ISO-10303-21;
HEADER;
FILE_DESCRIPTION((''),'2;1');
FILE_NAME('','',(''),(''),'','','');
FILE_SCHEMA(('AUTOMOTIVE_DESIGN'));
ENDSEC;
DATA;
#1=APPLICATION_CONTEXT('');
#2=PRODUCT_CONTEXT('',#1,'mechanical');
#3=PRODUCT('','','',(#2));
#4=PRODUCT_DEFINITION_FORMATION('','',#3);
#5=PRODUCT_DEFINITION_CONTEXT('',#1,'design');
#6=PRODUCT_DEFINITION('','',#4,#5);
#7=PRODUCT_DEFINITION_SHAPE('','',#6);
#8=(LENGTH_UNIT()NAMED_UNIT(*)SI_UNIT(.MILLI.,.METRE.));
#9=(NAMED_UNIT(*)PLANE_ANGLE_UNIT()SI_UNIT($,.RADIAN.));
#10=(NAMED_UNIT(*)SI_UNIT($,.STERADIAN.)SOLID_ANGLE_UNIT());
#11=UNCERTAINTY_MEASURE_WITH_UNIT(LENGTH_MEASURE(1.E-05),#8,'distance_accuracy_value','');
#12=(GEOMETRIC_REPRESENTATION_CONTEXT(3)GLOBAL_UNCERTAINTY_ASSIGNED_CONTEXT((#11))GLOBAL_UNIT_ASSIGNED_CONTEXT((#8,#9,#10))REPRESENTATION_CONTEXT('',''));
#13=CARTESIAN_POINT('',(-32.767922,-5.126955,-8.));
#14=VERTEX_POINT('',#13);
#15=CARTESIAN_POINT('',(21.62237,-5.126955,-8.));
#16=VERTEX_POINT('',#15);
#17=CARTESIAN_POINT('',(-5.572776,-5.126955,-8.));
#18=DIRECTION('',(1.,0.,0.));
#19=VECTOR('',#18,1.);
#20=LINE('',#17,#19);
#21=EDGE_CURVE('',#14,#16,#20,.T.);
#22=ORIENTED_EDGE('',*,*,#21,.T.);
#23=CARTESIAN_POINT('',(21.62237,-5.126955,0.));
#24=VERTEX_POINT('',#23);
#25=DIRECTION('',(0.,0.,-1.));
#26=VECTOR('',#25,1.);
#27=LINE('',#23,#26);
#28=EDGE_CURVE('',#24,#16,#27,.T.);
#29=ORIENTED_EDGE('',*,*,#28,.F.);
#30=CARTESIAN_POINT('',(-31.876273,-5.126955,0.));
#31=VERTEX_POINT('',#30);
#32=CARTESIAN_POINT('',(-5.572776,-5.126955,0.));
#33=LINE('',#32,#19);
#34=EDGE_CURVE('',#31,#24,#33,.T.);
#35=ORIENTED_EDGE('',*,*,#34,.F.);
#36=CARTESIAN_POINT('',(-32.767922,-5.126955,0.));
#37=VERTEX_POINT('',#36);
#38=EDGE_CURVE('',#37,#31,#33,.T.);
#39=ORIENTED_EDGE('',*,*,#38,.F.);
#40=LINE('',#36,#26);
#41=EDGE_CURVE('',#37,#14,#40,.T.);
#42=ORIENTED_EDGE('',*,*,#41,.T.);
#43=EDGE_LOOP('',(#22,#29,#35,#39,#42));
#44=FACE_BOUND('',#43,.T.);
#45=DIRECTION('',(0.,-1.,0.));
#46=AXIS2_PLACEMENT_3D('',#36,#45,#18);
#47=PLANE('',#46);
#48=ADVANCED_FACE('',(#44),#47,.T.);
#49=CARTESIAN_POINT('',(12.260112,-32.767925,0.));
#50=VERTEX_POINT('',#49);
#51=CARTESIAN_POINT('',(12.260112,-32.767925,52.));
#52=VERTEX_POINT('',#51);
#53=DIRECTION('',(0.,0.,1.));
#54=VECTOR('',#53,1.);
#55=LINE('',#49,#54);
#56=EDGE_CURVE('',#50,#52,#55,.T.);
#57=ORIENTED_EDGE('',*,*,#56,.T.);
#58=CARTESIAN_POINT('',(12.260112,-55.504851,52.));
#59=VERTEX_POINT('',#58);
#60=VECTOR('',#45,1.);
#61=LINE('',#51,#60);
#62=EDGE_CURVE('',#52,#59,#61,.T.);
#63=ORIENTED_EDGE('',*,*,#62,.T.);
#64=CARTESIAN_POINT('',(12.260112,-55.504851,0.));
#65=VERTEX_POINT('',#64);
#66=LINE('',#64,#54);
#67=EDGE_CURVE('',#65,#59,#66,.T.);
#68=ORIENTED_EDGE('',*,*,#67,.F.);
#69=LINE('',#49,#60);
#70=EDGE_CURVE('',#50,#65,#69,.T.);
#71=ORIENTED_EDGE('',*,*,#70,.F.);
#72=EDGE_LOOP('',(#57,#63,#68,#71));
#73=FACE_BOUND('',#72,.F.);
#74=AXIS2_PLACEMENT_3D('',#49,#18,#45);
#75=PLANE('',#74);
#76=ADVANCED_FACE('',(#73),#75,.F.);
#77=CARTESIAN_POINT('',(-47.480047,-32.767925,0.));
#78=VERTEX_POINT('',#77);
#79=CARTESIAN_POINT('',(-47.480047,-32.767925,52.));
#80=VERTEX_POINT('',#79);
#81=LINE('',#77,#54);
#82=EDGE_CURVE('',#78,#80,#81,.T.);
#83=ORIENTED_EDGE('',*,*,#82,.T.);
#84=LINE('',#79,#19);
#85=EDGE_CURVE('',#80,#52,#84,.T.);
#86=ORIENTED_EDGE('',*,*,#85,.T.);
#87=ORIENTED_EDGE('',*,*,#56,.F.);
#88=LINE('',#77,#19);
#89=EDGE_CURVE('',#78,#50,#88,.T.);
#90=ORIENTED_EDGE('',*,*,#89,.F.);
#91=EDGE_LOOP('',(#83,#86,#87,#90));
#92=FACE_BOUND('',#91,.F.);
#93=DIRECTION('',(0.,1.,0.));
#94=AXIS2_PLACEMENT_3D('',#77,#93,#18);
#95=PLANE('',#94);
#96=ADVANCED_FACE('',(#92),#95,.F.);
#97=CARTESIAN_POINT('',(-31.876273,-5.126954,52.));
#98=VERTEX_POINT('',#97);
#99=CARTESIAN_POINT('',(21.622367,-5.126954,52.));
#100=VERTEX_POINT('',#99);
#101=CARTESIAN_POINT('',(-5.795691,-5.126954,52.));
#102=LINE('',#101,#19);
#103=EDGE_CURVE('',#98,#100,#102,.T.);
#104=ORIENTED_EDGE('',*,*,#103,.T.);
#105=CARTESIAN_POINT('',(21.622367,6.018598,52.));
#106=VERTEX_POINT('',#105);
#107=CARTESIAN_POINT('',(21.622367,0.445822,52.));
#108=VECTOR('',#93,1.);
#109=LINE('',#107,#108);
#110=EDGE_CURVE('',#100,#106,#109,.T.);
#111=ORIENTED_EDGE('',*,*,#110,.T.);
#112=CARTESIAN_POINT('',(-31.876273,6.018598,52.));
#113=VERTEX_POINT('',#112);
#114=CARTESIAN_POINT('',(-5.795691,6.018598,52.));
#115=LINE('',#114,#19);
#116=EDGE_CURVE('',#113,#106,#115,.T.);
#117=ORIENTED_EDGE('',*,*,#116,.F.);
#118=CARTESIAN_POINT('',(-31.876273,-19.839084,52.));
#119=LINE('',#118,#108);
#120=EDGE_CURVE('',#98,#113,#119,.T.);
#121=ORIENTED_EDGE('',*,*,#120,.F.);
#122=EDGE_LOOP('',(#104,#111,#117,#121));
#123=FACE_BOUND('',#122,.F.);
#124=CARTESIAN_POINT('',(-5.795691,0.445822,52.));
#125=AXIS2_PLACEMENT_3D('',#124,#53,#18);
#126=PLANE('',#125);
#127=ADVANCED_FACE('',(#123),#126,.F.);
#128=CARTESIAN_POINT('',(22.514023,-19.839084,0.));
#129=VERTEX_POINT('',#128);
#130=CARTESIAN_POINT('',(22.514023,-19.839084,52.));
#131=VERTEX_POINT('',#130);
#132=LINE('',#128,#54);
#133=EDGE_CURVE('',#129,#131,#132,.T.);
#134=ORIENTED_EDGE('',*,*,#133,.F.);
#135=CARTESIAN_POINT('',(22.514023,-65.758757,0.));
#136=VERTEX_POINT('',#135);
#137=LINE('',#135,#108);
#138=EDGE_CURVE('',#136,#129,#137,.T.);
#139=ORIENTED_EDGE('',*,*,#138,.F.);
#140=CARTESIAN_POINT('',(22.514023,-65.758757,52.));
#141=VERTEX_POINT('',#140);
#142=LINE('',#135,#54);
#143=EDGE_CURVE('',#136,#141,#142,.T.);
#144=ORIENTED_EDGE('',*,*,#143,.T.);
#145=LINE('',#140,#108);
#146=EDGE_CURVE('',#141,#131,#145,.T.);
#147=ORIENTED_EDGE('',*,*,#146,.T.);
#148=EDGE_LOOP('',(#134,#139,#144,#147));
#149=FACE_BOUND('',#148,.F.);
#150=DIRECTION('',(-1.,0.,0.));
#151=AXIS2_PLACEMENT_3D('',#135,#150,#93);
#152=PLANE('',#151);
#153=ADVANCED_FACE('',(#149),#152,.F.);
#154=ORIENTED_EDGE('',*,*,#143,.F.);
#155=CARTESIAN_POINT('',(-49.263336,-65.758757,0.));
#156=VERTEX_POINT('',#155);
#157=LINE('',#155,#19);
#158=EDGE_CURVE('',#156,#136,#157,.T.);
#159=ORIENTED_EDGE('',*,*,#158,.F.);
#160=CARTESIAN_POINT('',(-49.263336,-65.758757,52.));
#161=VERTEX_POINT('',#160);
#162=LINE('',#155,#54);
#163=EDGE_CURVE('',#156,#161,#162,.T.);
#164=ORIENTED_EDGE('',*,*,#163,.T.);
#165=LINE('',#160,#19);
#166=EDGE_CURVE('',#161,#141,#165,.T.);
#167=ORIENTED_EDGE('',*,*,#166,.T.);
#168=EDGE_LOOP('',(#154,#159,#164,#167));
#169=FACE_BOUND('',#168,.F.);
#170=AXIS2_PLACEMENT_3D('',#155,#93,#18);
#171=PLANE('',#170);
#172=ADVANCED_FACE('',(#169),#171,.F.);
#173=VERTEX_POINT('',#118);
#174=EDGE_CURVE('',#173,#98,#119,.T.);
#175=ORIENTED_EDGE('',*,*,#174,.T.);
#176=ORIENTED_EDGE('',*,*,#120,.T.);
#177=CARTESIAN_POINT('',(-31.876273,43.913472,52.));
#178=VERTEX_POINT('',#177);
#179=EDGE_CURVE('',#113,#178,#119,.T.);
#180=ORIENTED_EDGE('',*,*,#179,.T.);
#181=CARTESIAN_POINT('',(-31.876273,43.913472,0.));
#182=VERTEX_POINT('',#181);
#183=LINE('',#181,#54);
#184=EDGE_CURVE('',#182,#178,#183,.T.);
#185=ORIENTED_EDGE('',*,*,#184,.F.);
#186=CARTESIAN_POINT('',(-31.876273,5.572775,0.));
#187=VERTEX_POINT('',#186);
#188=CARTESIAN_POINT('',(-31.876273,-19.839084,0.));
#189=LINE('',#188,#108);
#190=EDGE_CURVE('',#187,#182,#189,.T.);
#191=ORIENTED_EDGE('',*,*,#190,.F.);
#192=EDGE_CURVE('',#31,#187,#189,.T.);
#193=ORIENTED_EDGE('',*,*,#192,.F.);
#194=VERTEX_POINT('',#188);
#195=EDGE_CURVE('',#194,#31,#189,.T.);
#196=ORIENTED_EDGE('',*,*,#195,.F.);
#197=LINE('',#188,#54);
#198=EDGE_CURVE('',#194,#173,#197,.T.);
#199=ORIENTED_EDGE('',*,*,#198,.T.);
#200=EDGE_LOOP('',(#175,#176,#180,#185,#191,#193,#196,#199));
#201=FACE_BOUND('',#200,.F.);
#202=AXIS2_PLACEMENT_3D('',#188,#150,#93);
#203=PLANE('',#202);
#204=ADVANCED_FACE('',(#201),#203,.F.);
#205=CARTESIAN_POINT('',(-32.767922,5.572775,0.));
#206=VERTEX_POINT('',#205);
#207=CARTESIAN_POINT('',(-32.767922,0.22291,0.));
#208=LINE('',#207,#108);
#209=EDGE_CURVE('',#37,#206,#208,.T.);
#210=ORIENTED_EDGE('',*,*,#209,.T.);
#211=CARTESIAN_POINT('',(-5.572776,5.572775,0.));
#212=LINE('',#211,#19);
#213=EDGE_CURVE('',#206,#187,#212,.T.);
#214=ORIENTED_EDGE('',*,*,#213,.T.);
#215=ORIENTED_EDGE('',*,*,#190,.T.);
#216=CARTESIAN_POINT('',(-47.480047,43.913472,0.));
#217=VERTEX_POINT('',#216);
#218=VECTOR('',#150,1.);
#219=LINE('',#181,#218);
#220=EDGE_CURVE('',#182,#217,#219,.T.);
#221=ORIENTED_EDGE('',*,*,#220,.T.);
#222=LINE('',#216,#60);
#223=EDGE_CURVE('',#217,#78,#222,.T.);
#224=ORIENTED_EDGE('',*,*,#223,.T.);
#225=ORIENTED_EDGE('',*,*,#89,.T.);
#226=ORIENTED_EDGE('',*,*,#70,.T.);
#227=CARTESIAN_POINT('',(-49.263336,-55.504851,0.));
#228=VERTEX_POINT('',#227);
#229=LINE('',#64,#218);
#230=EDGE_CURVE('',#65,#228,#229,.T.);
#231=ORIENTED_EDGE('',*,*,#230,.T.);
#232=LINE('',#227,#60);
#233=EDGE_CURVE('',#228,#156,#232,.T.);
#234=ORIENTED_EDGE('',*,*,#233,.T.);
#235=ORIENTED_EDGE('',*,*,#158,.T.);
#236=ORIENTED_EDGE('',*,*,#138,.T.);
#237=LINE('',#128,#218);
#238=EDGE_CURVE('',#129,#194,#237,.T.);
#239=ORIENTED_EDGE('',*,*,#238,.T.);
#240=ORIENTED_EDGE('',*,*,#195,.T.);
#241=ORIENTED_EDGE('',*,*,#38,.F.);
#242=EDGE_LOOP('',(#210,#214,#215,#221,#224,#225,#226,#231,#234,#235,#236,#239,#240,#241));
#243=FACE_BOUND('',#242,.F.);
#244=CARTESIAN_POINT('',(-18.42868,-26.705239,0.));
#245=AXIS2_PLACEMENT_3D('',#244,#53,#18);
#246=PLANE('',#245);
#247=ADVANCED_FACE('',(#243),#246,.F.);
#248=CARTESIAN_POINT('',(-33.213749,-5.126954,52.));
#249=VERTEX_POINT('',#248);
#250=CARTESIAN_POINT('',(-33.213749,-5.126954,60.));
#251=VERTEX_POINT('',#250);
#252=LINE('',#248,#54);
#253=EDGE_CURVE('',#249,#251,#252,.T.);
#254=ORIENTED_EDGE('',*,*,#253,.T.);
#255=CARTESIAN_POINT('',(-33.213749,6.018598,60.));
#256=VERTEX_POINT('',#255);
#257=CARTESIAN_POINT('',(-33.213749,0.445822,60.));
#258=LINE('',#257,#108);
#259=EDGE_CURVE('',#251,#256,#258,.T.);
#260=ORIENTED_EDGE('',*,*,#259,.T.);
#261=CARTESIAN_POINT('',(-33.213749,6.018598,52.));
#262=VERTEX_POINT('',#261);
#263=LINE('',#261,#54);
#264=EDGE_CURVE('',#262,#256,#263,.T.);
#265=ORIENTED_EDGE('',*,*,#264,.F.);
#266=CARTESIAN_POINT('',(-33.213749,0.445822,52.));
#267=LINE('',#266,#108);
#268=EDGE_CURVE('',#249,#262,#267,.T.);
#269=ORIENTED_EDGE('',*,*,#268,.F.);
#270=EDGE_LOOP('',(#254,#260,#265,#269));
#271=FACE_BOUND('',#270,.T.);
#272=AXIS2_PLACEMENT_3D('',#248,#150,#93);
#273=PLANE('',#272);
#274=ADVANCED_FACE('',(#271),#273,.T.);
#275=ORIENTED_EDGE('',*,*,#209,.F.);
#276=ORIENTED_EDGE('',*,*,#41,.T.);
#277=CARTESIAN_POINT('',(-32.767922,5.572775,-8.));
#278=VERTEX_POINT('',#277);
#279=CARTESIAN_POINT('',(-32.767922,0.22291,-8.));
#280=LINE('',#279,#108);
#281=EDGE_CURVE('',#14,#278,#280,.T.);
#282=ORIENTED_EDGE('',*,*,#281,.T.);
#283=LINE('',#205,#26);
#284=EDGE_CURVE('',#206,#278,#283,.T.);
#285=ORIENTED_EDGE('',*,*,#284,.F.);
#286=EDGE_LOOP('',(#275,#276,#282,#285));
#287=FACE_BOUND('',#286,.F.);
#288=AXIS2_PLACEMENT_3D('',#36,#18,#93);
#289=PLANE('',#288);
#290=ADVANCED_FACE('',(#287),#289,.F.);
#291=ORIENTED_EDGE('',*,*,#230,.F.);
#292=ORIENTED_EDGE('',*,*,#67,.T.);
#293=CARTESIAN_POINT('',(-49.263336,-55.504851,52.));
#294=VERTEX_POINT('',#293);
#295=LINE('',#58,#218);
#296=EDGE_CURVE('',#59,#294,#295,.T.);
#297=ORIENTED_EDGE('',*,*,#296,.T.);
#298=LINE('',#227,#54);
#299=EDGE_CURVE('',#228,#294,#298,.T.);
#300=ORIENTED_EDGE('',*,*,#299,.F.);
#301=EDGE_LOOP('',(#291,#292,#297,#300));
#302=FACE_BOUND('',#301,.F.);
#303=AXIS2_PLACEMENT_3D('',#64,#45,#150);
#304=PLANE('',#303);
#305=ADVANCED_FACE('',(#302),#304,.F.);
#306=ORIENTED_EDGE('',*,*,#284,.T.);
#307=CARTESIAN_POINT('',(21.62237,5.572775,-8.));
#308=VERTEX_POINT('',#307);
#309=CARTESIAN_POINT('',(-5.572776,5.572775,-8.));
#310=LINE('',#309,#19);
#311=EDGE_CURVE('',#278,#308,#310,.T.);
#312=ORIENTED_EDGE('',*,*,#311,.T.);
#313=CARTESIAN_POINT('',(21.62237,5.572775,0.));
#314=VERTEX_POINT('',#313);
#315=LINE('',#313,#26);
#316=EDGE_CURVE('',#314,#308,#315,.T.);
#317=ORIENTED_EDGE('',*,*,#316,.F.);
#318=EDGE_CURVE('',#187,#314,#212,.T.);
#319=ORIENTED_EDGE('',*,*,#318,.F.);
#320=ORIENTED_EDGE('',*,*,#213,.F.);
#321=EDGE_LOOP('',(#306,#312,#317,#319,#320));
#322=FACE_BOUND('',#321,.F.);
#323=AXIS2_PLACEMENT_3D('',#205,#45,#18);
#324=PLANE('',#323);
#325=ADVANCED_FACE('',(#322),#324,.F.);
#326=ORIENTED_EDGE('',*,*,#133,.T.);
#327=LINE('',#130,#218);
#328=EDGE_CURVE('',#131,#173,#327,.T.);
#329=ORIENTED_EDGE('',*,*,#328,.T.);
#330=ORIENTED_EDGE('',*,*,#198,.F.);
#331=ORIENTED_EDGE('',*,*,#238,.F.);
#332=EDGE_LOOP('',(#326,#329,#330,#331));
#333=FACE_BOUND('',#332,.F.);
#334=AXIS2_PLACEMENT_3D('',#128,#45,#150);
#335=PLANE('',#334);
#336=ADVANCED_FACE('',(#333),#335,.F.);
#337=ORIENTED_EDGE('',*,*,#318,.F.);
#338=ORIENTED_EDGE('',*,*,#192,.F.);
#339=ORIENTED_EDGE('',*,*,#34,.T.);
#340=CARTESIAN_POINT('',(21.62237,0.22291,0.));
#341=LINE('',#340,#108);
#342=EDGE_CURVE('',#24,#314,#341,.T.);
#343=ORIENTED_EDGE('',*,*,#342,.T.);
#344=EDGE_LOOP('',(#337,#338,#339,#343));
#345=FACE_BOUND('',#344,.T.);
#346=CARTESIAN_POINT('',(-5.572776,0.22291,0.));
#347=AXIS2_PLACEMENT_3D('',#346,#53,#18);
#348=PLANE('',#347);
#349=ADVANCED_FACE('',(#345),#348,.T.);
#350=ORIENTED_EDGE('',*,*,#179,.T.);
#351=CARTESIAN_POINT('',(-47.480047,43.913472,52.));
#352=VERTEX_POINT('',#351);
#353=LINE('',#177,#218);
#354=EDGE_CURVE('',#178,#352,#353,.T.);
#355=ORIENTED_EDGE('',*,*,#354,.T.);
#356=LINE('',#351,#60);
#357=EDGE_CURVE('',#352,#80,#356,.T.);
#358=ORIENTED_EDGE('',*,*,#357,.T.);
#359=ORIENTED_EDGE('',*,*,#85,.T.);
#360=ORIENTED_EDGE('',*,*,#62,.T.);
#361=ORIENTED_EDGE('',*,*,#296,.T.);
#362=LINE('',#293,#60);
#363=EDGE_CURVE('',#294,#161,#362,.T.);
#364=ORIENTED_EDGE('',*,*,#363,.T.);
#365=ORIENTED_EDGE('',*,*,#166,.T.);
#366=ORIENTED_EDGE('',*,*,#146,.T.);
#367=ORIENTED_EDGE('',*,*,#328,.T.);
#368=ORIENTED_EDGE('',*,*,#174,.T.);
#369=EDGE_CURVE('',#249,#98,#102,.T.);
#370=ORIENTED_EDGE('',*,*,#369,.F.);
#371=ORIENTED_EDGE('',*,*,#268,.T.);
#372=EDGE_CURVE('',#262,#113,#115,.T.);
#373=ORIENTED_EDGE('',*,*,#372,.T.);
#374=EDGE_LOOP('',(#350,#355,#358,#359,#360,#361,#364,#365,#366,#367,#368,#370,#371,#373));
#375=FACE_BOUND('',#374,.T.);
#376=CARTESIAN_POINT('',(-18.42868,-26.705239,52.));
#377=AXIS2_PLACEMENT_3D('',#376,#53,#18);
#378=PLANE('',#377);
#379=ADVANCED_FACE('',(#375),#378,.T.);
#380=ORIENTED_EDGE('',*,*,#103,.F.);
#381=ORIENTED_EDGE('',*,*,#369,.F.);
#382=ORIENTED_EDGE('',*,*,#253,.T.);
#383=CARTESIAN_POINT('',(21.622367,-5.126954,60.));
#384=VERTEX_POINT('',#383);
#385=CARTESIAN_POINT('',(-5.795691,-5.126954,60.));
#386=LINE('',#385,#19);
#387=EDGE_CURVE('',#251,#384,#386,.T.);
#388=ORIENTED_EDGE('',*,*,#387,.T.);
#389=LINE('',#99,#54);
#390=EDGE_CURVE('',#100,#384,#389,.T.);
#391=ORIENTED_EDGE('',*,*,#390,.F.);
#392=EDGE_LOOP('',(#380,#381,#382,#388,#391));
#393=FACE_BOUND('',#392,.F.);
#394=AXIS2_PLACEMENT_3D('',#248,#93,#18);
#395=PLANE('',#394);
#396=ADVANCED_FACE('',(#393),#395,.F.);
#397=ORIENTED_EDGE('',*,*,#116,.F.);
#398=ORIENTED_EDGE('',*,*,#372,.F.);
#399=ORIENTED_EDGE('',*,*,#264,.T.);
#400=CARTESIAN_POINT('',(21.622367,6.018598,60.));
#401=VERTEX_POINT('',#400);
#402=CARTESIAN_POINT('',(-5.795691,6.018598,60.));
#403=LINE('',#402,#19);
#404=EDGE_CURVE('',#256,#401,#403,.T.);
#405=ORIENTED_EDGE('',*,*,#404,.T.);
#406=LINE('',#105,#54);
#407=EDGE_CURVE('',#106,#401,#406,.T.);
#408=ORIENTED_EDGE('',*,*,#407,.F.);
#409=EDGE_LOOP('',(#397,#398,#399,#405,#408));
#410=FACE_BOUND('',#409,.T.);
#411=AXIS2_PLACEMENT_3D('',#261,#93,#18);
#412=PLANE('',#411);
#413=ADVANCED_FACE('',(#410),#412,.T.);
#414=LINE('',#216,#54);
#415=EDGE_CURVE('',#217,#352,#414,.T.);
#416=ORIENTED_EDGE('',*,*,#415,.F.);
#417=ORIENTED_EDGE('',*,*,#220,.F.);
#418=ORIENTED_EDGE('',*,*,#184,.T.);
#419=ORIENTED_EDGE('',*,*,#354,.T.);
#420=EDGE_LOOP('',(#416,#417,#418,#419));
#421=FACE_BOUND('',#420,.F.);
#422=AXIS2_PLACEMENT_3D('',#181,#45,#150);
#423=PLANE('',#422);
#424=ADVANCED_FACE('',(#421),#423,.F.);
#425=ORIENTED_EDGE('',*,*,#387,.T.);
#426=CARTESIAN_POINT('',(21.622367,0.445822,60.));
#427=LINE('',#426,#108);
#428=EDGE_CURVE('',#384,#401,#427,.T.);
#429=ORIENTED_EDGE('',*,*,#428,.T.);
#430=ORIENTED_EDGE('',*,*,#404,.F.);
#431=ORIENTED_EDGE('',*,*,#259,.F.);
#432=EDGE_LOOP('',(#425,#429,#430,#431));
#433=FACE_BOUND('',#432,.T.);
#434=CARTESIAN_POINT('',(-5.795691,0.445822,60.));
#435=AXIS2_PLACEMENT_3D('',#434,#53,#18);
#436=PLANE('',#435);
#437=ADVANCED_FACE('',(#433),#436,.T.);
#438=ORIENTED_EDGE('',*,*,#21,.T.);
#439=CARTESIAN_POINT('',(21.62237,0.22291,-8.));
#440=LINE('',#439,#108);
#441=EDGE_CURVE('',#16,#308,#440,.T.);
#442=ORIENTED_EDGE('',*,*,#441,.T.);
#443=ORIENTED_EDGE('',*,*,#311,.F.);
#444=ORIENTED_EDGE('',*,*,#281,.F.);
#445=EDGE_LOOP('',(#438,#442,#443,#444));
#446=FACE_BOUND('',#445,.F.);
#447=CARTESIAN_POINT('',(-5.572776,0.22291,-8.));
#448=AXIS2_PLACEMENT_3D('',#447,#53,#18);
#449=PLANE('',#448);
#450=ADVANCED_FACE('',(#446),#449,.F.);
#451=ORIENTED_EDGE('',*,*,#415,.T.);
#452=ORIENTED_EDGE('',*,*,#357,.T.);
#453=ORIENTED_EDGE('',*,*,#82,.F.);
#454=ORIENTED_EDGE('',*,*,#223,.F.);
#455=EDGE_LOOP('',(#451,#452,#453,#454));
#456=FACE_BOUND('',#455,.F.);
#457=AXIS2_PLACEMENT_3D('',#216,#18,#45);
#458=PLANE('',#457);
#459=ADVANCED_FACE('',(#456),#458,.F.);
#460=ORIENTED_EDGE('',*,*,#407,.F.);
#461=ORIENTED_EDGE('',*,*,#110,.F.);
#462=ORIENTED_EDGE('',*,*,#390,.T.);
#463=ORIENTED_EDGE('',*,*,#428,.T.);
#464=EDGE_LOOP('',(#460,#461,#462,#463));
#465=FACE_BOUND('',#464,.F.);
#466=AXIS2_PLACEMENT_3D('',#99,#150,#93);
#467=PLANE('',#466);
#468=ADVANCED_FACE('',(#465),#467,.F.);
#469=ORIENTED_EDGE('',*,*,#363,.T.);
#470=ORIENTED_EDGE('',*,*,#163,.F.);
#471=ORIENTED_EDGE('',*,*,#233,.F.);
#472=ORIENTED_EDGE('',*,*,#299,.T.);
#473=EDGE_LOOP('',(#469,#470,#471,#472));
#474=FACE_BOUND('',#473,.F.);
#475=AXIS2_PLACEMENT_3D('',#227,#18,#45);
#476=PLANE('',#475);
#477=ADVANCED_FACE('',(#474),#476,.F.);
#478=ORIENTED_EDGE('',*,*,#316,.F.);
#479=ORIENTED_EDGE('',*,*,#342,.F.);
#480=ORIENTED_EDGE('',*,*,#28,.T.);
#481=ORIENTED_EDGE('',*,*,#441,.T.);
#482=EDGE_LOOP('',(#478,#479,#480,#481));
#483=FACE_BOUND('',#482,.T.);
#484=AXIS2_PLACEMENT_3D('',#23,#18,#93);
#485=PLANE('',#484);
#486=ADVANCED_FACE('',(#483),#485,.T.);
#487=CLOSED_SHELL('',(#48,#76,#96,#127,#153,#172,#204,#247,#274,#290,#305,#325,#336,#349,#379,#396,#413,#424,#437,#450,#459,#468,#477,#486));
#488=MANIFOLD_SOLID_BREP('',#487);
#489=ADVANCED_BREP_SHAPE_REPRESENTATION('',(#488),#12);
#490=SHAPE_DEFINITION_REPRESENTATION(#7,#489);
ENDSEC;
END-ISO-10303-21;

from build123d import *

# Parameters (mm, degrees)
F1_DEPTH = 52
F3_W     = 54.390293
F3_H     = 10.69973
F4_DEPTH = 8
F5_W     = 54.836117
F5_H     = 11.145552
F6_DEPTH = 8


with BuildPart() as f1:
    # F0 (on Top) → F1 (new body)
    with BuildSketch(Plane.XY):
        Polygon((-31.876273, 43.913472), (-47.480047, 43.913472), (-47.480047, -32.767925), (-43.021828, -32.767925), (12.260112, -32.767925), (12.260112, -55.504851), (-49.263336, -55.504851), (-49.263336, -65.758757), (-43.467648, -65.758757), (22.514023, -65.758757), (22.514023, -32.767925), (22.514023, -19.839084), (-31.876273, -19.839084), align=None)
    extrude(amount=F1_DEPTH)

    # F3 (on Top) → F4 (join)
    with BuildSketch(Plane.XY):
        with Locations((-5.572776, 0.22291)):
            Rectangle(F3_W, F3_H)
    extrude(amount=-F4_DEPTH)

    # F5 (on offset) → F6 (join)
    with BuildSketch(Plane.XY.offset(52)):
        with Locations((-5.795691, 0.445822)):
            Rectangle(F5_W, F5_H)
    extrude(amount=F6_DEPTH)


solid = f1.part
